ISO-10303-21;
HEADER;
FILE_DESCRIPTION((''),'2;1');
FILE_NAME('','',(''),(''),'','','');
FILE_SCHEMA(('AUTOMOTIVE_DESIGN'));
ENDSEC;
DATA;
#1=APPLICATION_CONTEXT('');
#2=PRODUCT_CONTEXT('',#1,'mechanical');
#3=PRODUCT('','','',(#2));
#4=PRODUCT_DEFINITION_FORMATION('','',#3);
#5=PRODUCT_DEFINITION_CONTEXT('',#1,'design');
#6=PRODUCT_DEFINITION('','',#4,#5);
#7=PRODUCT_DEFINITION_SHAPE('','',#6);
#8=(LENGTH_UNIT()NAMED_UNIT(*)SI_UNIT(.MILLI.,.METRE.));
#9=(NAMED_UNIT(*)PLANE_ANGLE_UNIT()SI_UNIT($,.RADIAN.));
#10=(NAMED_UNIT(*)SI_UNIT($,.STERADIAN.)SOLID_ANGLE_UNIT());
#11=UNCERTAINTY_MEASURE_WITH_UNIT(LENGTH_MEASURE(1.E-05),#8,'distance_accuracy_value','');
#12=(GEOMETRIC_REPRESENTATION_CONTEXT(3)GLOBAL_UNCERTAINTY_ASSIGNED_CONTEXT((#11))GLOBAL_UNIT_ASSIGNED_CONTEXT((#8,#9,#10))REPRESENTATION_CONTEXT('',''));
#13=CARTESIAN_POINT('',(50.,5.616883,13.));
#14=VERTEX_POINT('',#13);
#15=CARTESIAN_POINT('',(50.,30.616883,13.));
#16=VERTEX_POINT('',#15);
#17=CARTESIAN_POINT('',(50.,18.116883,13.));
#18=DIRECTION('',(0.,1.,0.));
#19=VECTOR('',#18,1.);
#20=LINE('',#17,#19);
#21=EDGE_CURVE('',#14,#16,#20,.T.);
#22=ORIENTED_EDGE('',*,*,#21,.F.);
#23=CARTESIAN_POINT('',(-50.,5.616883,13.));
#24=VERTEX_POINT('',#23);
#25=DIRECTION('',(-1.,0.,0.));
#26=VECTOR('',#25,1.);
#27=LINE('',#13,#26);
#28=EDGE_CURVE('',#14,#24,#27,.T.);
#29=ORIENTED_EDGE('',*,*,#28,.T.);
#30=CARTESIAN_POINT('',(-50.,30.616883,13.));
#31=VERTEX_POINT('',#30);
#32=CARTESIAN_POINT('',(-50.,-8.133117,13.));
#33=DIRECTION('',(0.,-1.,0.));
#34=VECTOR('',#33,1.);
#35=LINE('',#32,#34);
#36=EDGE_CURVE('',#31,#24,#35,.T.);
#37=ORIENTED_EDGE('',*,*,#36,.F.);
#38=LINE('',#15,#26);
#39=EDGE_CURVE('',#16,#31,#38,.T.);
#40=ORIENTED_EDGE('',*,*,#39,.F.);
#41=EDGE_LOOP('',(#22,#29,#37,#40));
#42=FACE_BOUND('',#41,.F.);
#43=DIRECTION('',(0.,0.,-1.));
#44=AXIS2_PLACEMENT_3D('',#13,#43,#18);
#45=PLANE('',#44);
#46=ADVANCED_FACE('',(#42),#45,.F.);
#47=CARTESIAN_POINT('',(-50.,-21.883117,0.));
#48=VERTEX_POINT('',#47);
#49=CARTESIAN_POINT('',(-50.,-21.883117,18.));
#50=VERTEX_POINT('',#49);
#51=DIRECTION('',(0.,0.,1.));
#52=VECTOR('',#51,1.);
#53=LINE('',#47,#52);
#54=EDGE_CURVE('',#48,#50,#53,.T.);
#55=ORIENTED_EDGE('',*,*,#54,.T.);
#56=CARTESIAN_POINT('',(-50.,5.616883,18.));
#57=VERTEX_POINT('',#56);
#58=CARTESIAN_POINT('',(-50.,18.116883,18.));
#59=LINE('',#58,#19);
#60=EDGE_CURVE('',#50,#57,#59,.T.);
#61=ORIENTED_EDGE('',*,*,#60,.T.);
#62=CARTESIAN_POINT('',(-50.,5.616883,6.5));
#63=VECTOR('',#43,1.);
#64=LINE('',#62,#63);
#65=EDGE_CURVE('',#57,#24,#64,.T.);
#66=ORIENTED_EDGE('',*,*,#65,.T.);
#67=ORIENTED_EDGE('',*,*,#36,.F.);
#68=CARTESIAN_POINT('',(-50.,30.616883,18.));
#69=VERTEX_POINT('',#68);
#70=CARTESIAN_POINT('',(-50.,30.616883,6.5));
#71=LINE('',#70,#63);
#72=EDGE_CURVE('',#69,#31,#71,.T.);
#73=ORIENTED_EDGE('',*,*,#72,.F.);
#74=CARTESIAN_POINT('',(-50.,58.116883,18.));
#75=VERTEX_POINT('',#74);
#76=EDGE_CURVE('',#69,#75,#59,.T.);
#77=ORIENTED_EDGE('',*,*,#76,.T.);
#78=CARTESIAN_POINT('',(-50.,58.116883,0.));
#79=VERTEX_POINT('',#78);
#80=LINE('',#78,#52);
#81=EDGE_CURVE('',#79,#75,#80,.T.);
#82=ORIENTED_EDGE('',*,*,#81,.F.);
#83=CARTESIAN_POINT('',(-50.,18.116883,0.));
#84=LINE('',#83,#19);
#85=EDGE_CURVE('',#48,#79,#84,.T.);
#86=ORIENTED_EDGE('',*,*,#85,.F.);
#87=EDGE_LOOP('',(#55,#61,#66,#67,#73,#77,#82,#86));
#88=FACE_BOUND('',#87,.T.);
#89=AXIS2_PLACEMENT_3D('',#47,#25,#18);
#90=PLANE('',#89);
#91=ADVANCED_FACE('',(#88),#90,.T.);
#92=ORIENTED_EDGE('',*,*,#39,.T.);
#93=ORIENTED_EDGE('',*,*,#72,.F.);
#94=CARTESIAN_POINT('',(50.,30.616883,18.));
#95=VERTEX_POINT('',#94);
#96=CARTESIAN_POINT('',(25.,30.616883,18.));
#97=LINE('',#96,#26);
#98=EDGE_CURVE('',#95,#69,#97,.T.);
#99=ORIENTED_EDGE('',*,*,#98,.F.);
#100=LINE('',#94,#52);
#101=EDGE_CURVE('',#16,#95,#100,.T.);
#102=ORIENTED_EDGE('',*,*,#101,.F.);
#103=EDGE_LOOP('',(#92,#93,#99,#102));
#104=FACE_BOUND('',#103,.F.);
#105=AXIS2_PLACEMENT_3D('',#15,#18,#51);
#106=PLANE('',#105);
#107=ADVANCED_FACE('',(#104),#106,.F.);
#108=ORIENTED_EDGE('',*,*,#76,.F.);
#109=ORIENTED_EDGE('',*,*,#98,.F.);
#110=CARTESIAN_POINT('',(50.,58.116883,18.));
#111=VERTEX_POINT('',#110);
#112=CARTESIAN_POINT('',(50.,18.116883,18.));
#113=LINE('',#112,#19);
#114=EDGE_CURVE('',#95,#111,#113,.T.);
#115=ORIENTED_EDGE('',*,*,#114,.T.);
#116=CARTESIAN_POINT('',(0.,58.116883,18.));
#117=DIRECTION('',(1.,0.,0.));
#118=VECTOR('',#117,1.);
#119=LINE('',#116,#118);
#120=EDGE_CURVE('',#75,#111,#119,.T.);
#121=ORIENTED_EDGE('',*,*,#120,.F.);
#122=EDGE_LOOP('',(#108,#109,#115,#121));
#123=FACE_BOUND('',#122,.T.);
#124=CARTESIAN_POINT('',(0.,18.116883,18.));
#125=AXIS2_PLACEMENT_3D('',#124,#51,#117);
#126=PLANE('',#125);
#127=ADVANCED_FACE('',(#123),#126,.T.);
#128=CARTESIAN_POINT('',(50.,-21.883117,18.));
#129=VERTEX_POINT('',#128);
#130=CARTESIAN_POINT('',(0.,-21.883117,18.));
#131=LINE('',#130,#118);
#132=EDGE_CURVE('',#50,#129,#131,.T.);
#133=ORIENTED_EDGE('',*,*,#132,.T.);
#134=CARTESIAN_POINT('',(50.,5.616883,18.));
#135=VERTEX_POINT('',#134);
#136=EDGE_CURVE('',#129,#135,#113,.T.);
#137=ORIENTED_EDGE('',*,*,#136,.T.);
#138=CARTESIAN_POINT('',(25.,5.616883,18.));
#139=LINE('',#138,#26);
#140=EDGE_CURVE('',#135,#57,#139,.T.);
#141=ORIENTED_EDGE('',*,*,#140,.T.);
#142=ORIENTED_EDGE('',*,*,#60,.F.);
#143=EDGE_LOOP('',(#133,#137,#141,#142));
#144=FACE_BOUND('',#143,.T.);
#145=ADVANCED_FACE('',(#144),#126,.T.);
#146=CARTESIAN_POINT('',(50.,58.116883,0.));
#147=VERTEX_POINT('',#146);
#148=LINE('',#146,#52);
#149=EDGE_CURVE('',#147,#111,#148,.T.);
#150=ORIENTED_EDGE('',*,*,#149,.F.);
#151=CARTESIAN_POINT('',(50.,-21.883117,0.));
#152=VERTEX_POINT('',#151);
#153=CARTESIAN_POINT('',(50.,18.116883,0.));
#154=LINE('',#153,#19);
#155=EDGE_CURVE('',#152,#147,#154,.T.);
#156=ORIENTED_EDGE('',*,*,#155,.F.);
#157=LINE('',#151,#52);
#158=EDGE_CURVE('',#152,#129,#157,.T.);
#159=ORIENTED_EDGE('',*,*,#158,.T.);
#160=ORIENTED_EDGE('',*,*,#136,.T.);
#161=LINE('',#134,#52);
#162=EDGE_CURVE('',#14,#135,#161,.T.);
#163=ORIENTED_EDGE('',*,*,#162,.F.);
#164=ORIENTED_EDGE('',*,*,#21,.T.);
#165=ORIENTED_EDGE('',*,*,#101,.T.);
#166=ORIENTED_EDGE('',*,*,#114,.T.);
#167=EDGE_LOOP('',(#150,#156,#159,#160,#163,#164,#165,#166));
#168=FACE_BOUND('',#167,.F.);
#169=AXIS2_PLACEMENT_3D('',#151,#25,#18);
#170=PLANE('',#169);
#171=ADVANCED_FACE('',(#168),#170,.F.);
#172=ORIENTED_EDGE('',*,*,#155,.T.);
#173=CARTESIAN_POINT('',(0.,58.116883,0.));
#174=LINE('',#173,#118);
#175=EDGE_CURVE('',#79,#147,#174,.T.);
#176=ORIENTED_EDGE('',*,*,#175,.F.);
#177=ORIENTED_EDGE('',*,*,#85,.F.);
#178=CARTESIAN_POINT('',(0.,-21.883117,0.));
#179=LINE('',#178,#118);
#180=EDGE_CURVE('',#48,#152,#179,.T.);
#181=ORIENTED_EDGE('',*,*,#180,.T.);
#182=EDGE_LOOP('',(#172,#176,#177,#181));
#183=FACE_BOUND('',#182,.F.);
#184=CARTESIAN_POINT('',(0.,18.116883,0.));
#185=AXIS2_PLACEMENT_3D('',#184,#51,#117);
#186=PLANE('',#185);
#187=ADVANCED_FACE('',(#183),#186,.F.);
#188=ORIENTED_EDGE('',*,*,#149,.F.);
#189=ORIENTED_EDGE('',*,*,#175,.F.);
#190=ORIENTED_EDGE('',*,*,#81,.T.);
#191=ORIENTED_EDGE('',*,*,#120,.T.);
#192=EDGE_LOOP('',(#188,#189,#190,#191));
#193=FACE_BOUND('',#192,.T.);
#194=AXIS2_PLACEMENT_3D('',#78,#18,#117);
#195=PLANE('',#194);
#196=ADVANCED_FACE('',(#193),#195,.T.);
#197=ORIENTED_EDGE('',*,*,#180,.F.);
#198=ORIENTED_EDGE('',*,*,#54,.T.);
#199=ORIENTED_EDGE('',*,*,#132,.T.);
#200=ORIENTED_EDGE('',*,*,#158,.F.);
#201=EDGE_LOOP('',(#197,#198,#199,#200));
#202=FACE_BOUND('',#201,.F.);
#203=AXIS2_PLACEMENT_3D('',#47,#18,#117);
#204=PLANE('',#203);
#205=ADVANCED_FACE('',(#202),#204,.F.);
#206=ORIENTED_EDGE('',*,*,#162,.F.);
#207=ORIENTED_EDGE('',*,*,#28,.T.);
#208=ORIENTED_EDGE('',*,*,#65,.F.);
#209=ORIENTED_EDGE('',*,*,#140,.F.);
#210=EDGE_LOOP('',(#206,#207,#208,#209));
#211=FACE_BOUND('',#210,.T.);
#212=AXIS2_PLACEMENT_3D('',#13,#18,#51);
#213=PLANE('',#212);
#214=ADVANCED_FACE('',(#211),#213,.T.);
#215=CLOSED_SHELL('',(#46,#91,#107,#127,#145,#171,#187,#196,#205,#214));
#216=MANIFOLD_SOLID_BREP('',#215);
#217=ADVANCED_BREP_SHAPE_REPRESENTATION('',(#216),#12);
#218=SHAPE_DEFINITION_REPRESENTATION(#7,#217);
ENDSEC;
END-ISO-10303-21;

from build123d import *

# Parameters (mm, degrees)
F0_W     = 100
F0_H     = 80
F1_DEPTH = 18
F2_W     = 25
F2_H     = 10
F3_DEPTH = 100.001


with BuildPart() as f1:
    # F0 (on Top) → F1 (new body)
    with BuildSketch(Plane.XY):
        with Locations((0, 18.116883)):
            Rectangle(F0_W, F0_H)
    extrude(amount=F1_DEPTH)

    # F2 (on face) → F3 (cut, through all)
    with BuildSketch(Plane.YZ.offset(50)):
        with Locations((18.116883, 18)):
            Rectangle(F2_W, F2_H)
    extrude(amount=-F3_DEPTH, mode=Mode.SUBTRACT)


solid = f1.part
